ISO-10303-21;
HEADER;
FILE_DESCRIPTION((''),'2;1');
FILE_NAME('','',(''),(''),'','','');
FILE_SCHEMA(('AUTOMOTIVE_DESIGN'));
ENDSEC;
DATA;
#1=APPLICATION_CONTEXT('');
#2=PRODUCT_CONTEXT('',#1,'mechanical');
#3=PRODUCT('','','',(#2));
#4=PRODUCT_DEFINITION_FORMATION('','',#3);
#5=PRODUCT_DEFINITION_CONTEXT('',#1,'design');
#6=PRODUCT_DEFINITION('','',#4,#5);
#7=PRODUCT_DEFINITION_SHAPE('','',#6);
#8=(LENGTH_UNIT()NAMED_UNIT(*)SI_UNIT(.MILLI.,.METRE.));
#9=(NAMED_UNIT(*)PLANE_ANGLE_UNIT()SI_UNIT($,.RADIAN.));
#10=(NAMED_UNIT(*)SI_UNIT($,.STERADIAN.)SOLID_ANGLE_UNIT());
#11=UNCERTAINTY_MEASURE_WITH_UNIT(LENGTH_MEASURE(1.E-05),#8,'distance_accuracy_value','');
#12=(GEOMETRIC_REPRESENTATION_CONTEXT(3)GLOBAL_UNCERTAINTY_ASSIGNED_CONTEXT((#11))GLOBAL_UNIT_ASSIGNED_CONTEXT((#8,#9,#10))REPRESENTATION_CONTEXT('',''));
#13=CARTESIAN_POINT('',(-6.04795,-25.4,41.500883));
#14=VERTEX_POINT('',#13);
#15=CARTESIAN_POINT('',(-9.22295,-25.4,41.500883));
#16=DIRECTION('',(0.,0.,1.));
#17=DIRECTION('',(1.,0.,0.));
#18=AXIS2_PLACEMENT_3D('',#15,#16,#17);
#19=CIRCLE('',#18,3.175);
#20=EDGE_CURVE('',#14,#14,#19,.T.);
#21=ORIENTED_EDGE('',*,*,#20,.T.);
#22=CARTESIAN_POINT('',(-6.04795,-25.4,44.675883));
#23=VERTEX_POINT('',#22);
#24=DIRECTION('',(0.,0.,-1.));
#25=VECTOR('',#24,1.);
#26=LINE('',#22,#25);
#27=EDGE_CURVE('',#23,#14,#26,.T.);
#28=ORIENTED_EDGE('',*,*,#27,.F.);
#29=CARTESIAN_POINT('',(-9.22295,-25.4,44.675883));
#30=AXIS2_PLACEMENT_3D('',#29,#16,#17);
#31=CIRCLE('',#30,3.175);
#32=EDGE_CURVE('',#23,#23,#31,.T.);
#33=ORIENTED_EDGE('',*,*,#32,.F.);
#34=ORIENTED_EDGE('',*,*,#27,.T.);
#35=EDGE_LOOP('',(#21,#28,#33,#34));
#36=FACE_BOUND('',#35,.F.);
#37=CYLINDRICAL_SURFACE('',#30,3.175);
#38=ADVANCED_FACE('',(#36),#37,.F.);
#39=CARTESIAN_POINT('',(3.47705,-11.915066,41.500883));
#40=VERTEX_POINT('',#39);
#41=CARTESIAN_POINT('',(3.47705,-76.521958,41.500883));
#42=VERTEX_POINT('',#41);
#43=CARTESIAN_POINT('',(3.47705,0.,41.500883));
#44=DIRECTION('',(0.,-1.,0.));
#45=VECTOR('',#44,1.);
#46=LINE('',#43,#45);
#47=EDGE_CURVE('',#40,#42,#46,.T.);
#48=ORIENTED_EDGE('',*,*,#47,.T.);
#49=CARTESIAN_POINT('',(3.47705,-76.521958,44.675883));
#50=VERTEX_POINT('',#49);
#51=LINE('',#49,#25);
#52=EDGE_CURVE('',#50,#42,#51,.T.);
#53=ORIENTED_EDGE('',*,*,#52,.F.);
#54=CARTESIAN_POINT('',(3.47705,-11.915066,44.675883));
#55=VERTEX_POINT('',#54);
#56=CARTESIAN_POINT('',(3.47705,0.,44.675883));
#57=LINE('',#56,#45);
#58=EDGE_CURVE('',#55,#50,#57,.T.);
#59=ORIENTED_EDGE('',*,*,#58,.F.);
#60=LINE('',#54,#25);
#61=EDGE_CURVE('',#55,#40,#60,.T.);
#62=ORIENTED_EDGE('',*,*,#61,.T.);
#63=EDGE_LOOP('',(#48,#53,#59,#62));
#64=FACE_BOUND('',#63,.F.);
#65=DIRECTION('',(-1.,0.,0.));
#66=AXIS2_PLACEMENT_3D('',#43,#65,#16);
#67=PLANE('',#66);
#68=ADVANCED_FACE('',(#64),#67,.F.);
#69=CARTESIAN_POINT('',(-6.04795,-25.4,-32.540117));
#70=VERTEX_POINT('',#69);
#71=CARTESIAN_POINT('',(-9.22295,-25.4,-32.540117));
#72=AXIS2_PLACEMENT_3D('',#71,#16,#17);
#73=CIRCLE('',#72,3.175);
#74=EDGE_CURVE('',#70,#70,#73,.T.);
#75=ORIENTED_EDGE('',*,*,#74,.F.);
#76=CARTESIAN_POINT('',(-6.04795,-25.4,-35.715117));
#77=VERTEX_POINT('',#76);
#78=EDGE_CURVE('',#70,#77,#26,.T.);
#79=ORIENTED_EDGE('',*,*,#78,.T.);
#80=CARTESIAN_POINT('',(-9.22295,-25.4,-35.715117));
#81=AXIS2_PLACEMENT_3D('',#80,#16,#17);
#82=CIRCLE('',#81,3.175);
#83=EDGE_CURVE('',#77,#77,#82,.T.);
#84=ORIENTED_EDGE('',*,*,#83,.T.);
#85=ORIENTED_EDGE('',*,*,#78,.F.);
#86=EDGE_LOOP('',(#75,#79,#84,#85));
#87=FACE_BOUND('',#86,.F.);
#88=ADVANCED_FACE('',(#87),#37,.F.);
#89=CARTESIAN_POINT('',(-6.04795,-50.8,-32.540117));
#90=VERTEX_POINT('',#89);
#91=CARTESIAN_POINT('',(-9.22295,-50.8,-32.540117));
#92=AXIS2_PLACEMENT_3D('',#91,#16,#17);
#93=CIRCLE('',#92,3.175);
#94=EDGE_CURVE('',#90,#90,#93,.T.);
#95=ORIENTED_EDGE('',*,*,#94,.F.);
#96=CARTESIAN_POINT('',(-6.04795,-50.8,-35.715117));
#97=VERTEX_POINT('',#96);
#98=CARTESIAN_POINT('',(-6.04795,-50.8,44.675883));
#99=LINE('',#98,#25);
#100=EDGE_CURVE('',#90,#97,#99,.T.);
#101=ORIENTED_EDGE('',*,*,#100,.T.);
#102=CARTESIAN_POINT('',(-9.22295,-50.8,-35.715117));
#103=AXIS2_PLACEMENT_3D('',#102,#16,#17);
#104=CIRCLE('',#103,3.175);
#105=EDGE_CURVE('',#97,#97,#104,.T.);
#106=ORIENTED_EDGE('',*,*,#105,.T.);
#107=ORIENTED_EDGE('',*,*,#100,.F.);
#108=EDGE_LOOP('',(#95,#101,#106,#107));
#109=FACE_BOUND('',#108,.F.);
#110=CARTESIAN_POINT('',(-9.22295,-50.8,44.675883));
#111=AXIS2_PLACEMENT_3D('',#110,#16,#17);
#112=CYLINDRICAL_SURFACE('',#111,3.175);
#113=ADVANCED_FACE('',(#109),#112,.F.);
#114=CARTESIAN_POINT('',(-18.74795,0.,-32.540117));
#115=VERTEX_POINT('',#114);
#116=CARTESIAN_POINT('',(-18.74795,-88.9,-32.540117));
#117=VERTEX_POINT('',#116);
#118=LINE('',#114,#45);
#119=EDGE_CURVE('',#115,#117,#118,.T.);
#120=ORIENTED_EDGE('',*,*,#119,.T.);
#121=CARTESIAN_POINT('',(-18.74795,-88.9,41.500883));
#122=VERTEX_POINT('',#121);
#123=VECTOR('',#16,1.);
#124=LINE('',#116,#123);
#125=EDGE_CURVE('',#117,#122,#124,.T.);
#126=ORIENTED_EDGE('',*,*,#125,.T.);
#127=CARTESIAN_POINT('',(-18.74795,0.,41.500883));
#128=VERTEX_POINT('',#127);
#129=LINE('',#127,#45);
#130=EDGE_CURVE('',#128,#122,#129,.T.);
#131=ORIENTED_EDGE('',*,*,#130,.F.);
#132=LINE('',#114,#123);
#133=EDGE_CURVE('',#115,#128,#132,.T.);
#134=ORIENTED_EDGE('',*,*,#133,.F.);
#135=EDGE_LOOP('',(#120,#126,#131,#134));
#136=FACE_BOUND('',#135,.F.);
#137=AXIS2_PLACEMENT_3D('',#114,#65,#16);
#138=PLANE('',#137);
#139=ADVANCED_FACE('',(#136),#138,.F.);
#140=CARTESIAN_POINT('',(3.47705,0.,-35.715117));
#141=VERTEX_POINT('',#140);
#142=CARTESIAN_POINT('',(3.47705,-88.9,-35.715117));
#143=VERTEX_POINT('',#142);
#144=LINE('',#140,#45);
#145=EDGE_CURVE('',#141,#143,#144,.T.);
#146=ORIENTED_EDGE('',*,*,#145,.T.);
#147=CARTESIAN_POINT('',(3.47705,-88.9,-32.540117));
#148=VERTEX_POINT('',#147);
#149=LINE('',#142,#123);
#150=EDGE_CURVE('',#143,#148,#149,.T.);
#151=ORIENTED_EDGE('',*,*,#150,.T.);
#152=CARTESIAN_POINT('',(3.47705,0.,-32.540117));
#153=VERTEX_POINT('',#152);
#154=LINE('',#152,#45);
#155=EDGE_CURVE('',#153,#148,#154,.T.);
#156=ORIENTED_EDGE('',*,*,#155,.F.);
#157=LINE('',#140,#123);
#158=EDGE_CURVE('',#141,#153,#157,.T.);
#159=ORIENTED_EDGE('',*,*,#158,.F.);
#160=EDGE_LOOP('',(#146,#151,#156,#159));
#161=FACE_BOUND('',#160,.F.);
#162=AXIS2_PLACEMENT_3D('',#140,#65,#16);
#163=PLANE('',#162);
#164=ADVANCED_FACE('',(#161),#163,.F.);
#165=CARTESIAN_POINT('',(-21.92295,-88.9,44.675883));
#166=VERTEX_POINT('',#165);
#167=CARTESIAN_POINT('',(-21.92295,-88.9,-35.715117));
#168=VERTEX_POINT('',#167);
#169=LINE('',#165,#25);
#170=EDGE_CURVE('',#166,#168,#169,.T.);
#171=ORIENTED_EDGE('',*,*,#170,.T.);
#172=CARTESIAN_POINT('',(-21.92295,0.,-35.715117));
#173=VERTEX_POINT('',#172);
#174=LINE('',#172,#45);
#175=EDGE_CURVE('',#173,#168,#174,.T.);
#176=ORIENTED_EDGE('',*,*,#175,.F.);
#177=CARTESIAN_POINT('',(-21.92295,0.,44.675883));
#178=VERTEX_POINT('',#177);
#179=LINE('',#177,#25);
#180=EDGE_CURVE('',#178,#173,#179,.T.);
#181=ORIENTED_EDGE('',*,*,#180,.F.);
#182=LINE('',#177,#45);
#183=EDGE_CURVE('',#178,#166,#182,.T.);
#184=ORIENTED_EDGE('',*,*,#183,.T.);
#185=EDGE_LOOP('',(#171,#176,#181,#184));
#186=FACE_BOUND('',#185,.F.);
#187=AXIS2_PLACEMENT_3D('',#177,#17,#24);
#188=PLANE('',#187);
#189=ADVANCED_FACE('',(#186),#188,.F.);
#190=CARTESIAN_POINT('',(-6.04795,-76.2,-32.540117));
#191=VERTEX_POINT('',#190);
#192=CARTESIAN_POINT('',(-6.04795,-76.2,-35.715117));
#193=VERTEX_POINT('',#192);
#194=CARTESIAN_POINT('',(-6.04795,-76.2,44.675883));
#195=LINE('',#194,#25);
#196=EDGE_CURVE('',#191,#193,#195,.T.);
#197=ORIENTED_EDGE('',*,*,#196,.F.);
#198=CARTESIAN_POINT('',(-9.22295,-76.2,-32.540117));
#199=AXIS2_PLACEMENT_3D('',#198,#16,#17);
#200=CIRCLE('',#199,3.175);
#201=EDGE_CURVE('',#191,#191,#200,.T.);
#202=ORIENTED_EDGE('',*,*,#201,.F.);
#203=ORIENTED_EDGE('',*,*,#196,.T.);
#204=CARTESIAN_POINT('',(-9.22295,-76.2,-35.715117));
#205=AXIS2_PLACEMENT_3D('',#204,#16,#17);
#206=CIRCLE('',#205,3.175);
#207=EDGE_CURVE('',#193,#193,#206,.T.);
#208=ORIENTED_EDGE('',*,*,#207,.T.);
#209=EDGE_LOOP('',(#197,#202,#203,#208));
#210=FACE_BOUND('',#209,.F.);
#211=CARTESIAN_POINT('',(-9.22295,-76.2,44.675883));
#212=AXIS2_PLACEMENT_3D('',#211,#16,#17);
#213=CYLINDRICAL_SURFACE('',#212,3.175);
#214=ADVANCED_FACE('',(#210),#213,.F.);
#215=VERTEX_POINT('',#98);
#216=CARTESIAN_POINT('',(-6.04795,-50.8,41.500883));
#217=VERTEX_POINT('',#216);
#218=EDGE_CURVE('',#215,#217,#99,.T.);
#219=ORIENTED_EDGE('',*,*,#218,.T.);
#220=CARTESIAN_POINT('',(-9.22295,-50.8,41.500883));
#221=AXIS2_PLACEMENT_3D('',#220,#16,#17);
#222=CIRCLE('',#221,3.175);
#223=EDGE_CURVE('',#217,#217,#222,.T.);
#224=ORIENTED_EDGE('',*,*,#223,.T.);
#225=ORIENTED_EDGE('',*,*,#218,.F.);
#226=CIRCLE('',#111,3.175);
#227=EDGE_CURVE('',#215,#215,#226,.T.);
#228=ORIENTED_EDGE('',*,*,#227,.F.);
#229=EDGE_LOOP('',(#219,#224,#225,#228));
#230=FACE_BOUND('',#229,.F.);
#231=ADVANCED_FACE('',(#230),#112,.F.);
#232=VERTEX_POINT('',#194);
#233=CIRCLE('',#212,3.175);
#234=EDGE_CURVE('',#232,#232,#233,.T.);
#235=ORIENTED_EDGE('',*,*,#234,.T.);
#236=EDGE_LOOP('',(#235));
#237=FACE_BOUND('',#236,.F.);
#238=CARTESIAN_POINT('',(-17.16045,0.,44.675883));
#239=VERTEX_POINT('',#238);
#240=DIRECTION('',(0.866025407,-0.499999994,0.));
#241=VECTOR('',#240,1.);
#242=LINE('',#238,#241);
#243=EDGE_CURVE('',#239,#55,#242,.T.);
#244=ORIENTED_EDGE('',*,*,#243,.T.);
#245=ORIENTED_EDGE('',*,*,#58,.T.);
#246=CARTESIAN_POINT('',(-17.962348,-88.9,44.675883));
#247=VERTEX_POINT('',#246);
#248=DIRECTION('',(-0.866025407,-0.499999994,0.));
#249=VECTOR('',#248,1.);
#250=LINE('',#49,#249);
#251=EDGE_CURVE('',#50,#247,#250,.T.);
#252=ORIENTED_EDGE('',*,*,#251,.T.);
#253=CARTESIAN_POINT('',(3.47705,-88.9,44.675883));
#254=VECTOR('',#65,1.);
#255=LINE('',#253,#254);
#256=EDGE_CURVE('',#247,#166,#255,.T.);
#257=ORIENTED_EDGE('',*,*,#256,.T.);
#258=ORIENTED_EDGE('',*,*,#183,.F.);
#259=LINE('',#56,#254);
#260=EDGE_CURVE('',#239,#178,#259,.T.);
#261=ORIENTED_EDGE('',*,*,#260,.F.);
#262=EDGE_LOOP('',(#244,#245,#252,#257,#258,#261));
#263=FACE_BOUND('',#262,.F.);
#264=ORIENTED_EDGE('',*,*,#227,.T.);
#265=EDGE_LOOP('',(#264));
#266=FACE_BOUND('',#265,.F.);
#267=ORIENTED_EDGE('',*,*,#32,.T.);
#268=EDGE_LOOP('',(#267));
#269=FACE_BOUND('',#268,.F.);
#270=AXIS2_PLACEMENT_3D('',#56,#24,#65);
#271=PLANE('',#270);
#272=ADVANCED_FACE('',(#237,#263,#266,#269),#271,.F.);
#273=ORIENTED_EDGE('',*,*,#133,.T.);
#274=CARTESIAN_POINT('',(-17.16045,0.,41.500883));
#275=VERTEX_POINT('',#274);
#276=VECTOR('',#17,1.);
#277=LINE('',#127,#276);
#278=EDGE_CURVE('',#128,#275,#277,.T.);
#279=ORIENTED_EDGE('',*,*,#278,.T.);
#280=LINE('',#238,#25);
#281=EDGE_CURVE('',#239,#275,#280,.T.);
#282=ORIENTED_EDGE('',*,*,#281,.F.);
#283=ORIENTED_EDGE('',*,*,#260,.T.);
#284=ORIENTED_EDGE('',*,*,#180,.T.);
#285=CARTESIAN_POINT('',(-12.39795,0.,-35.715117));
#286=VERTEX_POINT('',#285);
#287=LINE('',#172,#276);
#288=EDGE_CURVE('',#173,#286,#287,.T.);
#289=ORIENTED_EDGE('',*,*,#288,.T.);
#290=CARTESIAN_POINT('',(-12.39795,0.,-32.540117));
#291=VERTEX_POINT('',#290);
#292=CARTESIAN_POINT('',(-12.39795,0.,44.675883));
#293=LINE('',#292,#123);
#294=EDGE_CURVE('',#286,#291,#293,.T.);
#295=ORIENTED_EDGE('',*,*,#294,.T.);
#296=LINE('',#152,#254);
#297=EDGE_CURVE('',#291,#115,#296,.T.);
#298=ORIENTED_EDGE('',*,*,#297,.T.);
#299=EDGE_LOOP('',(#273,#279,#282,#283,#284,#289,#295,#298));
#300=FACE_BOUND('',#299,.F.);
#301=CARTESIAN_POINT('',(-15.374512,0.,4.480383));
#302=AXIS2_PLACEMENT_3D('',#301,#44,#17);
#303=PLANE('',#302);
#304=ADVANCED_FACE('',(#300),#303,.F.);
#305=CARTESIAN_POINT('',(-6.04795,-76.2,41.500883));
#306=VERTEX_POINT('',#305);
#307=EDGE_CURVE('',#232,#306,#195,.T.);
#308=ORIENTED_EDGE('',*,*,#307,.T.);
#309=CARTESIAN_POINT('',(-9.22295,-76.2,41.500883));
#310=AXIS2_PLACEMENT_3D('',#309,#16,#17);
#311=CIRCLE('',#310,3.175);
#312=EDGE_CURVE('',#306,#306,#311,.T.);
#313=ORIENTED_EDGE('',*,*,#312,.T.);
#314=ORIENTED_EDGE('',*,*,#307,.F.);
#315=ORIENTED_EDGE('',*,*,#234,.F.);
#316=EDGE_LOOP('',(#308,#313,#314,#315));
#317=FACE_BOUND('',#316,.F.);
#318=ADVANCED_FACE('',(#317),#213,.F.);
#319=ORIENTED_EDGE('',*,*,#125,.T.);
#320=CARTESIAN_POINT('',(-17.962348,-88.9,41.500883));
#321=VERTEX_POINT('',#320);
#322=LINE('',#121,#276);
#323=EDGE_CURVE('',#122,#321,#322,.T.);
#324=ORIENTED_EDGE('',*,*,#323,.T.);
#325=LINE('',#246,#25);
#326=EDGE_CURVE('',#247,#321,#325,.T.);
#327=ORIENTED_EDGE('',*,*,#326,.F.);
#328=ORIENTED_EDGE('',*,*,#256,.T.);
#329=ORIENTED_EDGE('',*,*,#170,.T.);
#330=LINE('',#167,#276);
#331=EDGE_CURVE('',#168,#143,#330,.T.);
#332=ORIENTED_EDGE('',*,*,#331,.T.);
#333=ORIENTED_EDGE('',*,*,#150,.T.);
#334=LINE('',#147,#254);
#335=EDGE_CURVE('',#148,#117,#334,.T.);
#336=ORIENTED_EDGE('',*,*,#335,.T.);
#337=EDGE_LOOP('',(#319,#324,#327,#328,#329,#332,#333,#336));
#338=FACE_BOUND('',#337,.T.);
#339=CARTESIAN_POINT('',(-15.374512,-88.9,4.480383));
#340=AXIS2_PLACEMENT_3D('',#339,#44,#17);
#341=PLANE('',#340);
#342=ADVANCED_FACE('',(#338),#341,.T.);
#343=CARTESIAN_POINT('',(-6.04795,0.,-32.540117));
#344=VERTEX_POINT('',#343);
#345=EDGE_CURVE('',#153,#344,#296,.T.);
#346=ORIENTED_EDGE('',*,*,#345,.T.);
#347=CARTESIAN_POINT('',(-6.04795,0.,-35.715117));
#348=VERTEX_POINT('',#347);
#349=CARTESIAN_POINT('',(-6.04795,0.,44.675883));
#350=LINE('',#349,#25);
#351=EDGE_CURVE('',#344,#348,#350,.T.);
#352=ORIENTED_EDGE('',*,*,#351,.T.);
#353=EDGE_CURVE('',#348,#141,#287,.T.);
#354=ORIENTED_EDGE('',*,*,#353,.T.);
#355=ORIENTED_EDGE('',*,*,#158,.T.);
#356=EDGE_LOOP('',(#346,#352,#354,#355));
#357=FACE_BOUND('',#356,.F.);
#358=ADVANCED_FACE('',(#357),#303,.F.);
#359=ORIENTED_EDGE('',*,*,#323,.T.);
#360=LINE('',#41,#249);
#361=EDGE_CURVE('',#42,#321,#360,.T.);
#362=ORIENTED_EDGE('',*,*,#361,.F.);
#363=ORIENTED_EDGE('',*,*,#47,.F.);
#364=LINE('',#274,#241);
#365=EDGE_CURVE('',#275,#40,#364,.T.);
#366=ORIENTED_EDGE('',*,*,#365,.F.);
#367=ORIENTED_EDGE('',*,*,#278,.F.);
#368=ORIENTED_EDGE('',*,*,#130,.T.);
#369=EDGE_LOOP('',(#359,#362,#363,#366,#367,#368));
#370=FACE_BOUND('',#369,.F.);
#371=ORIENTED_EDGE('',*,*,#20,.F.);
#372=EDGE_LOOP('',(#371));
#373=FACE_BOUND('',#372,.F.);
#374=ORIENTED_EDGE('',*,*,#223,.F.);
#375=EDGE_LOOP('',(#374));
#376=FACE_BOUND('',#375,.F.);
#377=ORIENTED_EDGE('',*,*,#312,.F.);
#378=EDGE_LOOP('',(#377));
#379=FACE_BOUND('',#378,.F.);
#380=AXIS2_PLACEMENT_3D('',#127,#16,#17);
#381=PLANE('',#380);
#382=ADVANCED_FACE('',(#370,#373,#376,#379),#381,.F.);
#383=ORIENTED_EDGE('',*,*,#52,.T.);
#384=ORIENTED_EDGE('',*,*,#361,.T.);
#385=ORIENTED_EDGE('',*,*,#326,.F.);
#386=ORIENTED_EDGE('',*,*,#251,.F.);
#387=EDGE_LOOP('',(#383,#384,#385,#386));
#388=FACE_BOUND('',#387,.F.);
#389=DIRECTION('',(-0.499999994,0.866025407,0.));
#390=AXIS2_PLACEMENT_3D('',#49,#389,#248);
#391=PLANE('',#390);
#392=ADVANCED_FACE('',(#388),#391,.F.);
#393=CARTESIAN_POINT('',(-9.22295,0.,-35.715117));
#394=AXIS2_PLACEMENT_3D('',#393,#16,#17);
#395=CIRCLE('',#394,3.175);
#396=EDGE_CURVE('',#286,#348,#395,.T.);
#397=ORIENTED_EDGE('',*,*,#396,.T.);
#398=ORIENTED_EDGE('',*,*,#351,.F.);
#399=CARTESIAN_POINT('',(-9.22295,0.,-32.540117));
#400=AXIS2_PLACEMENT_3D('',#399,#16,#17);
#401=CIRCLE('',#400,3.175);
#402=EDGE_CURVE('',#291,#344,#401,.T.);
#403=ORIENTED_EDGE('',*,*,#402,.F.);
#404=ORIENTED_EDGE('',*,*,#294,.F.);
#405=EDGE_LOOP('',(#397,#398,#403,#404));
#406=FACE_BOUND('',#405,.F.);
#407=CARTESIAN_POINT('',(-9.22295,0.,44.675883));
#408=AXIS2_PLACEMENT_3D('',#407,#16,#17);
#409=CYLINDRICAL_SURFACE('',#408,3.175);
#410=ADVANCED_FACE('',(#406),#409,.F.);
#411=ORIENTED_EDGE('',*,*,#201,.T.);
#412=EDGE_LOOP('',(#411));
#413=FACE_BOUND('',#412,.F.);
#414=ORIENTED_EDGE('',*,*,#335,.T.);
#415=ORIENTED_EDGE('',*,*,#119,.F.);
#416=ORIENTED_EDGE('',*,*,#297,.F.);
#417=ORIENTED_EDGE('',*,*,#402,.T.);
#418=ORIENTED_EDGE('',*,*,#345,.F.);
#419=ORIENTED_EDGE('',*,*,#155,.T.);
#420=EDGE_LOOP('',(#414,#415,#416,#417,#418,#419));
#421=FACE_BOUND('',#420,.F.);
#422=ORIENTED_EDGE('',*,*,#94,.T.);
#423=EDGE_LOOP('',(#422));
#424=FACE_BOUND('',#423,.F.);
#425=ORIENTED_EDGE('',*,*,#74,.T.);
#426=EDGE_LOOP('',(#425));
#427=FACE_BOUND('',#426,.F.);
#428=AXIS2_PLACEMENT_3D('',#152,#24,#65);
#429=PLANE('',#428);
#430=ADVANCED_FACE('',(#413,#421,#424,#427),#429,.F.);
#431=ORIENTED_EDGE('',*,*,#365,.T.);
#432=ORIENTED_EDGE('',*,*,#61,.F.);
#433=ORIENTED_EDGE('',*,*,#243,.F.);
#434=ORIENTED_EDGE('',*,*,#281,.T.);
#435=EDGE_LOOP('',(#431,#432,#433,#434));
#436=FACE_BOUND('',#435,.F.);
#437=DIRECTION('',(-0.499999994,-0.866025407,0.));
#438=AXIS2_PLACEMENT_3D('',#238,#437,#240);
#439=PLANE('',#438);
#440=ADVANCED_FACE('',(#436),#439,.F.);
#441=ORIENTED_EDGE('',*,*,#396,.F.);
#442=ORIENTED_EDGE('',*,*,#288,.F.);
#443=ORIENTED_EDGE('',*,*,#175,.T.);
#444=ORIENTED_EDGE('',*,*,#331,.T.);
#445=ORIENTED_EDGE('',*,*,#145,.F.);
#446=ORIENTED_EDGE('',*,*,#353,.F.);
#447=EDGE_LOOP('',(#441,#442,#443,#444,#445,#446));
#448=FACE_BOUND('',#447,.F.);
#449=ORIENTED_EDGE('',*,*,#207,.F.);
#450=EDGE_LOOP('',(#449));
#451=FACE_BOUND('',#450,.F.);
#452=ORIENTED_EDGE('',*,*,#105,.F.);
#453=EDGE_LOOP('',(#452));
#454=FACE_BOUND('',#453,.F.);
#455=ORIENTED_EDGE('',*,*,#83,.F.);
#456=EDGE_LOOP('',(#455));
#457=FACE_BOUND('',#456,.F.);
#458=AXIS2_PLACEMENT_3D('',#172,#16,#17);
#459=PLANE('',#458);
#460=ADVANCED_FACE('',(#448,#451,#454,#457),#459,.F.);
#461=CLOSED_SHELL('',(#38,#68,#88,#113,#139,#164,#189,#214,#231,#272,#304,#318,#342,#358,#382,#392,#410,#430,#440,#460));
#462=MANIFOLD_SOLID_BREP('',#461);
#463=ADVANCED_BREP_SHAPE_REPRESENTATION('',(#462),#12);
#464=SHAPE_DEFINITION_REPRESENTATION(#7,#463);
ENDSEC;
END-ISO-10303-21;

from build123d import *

# Parameters (mm, degrees)
F1_DEPTH = 88.9
F2_R     = 3.175
F3_DEPTH = 101.6
F5_DEPTH = 3.175


with BuildPart() as f1:
    # F0 (on Front) → F1 (new body)
    with BuildSketch(Plane.XZ):
        Polygon((3.47705, 44.675883), (-21.92295, 44.675883), (-21.92295, -35.715117), (3.47705, -35.715117), (3.47705, -32.540117), (-18.74795, -32.540117), (-18.74795, 41.500883), (3.47705, 41.500883), align=None)
    extrude(amount=F1_DEPTH)

    # F2 (on face) → F3 (cut)
    with BuildSketch(Plane.XY.offset(44.675883)):
        with Locations((-9.22295, -76.2)):
            Circle(F2_R)
        with Locations((-9.22295, -50.8)):
            Circle(F2_R)
        with Locations((-9.22295, -25.4)):
            Circle(F2_R)
        with Locations((-9.22295, 0)):
            Circle(F2_R)
        with Locations((-34.62295, -76.2)):
            Circle(F2_R)
        with Locations((-34.62295, -50.8)):
            Circle(F2_R)
        with Locations((-34.62295, -25.4)):
            Circle(F2_R)
        with Locations((-34.62295, 0)):
            Circle(F2_R)
    extrude(amount=-F3_DEPTH, mode=Mode.SUBTRACT)

    # F4 (on face) → F5 (cut)
    with BuildSketch(Plane.XY.offset(44.675883)):
        with BuildLine():
            Line((-17.16045, 0), (3.47705, -11.915066))
            Line((3.47705, -11.915066), (3.47705, 0))
            Line((3.47705, 0), (-6.04795, 0))
            ThreePointArc((-6.04795, 0), (-9.22295, -3.175), (-12.39795, 0))
            Line((-12.39795, 0), (-17.16045, 0))
        make_face()
        Polygon((3.47705, -76.521958), (-17.962348, -88.9), (3.47705, -88.9), align=None)
    extrude(amount=-F5_DEPTH, mode=Mode.SUBTRACT)


solid = f1.part
